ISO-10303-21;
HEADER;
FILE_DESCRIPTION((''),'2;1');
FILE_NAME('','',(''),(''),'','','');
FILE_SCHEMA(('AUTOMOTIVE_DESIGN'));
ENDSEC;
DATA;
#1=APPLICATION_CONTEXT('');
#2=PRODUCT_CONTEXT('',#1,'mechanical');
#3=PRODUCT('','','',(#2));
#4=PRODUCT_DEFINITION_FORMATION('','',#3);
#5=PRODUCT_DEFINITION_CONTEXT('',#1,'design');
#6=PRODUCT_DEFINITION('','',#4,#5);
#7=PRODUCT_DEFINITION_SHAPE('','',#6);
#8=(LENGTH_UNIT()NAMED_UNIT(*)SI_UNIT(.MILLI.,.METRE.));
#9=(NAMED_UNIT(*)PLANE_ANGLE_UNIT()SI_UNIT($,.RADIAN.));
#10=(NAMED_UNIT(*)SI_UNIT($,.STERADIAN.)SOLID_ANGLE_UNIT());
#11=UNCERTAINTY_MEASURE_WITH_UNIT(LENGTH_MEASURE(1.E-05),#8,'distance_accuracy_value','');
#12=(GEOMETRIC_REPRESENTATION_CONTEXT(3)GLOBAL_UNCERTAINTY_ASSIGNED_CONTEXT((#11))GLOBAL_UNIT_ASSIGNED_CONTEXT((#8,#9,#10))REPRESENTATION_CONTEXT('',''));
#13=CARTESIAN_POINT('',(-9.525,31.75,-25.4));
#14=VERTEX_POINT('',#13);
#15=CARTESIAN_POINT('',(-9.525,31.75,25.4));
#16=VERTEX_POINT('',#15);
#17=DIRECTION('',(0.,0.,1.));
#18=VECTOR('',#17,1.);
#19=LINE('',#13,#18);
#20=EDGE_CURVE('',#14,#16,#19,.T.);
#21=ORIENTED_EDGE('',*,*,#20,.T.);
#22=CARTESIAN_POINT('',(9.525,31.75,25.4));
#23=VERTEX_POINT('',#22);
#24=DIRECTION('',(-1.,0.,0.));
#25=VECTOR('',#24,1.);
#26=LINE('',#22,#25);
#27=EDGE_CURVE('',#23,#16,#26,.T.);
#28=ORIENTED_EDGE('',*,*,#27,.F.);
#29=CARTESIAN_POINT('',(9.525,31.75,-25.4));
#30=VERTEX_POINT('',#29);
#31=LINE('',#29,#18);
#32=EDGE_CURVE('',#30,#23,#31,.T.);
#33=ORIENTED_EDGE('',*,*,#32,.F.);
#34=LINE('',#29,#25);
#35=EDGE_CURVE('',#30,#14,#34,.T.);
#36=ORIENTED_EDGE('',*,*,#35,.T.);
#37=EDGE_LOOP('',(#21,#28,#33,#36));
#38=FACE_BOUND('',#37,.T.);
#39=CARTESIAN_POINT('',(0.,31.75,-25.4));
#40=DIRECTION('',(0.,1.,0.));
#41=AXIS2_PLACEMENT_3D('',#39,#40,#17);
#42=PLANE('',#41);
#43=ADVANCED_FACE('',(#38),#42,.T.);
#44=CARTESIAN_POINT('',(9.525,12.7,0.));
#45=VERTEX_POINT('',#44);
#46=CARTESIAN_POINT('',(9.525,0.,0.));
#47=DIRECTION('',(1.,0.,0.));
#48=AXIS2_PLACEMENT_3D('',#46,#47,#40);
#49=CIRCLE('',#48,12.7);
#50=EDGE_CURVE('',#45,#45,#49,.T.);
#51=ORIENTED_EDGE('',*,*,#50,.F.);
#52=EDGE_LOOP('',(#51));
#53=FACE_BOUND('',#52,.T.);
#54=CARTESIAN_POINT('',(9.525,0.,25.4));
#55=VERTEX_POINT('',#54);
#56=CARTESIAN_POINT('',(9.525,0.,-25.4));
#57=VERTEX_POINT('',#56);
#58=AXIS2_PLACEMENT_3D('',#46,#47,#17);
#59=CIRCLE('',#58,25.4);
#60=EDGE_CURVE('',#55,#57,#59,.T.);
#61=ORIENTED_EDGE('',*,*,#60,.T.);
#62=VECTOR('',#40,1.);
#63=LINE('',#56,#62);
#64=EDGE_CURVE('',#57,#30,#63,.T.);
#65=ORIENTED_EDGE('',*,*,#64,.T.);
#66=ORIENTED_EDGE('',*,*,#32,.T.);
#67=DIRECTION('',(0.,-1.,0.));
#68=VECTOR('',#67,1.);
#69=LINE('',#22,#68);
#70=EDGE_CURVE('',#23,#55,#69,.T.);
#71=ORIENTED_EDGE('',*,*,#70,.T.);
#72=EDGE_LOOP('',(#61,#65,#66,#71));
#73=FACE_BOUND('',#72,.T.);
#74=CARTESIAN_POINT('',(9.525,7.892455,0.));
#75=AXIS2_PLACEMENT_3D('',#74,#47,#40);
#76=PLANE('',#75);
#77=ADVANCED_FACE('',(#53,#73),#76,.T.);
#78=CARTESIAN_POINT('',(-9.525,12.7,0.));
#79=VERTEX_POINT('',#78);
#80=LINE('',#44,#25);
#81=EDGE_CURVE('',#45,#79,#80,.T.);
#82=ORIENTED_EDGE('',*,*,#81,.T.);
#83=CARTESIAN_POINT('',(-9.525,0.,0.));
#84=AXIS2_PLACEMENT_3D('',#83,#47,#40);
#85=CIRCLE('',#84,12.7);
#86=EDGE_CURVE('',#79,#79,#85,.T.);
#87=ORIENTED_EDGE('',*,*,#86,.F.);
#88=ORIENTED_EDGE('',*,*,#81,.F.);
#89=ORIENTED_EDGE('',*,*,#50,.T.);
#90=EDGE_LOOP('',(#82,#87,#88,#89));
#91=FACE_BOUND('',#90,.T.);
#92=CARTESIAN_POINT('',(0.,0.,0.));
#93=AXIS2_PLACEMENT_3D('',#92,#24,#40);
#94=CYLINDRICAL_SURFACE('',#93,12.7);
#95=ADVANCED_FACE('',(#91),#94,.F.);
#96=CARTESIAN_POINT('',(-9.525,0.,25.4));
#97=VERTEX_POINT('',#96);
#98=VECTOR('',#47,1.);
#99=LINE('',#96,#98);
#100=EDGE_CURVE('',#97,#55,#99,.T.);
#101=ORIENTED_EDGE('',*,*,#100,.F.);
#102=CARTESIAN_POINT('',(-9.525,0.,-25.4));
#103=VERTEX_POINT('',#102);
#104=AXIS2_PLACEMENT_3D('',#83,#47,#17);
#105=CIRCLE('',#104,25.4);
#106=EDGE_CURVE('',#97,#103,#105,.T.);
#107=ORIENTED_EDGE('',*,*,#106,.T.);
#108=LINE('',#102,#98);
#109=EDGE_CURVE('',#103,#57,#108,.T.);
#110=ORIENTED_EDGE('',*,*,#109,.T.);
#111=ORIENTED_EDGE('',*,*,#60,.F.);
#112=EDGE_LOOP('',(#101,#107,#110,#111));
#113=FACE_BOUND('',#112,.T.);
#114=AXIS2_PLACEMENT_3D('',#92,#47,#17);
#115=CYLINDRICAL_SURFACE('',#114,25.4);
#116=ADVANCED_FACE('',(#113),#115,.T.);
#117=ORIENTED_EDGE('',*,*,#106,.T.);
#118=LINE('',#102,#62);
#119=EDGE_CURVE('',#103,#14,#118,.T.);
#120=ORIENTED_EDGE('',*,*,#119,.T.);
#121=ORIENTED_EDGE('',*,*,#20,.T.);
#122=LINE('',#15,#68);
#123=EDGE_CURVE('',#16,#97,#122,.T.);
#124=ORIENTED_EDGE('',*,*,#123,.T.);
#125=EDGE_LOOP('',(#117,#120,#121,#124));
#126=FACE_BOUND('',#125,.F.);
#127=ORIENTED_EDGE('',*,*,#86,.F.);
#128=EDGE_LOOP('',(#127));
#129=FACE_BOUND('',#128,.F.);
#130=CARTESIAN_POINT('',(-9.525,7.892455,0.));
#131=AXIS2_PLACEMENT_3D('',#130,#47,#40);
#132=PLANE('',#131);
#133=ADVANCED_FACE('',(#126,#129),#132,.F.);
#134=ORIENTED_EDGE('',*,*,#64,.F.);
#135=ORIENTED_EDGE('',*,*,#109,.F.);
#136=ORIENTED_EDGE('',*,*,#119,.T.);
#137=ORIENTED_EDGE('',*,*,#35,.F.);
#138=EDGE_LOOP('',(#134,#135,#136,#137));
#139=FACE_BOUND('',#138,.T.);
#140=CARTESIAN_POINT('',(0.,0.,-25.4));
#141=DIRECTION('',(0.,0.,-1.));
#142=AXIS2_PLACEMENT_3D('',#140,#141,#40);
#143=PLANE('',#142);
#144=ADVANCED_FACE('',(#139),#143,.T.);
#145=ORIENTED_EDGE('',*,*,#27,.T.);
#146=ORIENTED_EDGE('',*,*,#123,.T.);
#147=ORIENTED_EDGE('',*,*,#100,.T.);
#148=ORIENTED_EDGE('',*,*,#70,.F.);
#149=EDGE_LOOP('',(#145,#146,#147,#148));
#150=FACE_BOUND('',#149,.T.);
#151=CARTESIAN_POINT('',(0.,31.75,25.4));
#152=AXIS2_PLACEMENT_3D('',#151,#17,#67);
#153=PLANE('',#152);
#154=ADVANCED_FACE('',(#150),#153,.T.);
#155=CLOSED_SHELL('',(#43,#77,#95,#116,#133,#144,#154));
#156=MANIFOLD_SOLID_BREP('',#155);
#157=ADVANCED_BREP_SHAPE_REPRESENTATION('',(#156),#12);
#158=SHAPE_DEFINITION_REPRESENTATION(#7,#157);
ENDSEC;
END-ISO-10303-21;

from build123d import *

# Parameters (mm, degrees)
F0_R     = 12.7
F1_DEPTH = 9.525


with BuildPart() as f1:
    # F0 (on Right) → F1 (new body, symmetric)
    with BuildSketch(Plane.YZ):
        with BuildLine():
            Line((31.75, 25.4), (0, 25.4))
            ThreePointArc((0, 25.4), (-25.4, 0), (0, -25.4))
            Line((0, -25.4), (31.75, -25.4))
            Line((31.75, -25.4), (31.75, 25.4))
        make_face()
        Circle(F0_R, mode=Mode.SUBTRACT)
    extrude(amount=F1_DEPTH, both=True)


solid = f1.part
